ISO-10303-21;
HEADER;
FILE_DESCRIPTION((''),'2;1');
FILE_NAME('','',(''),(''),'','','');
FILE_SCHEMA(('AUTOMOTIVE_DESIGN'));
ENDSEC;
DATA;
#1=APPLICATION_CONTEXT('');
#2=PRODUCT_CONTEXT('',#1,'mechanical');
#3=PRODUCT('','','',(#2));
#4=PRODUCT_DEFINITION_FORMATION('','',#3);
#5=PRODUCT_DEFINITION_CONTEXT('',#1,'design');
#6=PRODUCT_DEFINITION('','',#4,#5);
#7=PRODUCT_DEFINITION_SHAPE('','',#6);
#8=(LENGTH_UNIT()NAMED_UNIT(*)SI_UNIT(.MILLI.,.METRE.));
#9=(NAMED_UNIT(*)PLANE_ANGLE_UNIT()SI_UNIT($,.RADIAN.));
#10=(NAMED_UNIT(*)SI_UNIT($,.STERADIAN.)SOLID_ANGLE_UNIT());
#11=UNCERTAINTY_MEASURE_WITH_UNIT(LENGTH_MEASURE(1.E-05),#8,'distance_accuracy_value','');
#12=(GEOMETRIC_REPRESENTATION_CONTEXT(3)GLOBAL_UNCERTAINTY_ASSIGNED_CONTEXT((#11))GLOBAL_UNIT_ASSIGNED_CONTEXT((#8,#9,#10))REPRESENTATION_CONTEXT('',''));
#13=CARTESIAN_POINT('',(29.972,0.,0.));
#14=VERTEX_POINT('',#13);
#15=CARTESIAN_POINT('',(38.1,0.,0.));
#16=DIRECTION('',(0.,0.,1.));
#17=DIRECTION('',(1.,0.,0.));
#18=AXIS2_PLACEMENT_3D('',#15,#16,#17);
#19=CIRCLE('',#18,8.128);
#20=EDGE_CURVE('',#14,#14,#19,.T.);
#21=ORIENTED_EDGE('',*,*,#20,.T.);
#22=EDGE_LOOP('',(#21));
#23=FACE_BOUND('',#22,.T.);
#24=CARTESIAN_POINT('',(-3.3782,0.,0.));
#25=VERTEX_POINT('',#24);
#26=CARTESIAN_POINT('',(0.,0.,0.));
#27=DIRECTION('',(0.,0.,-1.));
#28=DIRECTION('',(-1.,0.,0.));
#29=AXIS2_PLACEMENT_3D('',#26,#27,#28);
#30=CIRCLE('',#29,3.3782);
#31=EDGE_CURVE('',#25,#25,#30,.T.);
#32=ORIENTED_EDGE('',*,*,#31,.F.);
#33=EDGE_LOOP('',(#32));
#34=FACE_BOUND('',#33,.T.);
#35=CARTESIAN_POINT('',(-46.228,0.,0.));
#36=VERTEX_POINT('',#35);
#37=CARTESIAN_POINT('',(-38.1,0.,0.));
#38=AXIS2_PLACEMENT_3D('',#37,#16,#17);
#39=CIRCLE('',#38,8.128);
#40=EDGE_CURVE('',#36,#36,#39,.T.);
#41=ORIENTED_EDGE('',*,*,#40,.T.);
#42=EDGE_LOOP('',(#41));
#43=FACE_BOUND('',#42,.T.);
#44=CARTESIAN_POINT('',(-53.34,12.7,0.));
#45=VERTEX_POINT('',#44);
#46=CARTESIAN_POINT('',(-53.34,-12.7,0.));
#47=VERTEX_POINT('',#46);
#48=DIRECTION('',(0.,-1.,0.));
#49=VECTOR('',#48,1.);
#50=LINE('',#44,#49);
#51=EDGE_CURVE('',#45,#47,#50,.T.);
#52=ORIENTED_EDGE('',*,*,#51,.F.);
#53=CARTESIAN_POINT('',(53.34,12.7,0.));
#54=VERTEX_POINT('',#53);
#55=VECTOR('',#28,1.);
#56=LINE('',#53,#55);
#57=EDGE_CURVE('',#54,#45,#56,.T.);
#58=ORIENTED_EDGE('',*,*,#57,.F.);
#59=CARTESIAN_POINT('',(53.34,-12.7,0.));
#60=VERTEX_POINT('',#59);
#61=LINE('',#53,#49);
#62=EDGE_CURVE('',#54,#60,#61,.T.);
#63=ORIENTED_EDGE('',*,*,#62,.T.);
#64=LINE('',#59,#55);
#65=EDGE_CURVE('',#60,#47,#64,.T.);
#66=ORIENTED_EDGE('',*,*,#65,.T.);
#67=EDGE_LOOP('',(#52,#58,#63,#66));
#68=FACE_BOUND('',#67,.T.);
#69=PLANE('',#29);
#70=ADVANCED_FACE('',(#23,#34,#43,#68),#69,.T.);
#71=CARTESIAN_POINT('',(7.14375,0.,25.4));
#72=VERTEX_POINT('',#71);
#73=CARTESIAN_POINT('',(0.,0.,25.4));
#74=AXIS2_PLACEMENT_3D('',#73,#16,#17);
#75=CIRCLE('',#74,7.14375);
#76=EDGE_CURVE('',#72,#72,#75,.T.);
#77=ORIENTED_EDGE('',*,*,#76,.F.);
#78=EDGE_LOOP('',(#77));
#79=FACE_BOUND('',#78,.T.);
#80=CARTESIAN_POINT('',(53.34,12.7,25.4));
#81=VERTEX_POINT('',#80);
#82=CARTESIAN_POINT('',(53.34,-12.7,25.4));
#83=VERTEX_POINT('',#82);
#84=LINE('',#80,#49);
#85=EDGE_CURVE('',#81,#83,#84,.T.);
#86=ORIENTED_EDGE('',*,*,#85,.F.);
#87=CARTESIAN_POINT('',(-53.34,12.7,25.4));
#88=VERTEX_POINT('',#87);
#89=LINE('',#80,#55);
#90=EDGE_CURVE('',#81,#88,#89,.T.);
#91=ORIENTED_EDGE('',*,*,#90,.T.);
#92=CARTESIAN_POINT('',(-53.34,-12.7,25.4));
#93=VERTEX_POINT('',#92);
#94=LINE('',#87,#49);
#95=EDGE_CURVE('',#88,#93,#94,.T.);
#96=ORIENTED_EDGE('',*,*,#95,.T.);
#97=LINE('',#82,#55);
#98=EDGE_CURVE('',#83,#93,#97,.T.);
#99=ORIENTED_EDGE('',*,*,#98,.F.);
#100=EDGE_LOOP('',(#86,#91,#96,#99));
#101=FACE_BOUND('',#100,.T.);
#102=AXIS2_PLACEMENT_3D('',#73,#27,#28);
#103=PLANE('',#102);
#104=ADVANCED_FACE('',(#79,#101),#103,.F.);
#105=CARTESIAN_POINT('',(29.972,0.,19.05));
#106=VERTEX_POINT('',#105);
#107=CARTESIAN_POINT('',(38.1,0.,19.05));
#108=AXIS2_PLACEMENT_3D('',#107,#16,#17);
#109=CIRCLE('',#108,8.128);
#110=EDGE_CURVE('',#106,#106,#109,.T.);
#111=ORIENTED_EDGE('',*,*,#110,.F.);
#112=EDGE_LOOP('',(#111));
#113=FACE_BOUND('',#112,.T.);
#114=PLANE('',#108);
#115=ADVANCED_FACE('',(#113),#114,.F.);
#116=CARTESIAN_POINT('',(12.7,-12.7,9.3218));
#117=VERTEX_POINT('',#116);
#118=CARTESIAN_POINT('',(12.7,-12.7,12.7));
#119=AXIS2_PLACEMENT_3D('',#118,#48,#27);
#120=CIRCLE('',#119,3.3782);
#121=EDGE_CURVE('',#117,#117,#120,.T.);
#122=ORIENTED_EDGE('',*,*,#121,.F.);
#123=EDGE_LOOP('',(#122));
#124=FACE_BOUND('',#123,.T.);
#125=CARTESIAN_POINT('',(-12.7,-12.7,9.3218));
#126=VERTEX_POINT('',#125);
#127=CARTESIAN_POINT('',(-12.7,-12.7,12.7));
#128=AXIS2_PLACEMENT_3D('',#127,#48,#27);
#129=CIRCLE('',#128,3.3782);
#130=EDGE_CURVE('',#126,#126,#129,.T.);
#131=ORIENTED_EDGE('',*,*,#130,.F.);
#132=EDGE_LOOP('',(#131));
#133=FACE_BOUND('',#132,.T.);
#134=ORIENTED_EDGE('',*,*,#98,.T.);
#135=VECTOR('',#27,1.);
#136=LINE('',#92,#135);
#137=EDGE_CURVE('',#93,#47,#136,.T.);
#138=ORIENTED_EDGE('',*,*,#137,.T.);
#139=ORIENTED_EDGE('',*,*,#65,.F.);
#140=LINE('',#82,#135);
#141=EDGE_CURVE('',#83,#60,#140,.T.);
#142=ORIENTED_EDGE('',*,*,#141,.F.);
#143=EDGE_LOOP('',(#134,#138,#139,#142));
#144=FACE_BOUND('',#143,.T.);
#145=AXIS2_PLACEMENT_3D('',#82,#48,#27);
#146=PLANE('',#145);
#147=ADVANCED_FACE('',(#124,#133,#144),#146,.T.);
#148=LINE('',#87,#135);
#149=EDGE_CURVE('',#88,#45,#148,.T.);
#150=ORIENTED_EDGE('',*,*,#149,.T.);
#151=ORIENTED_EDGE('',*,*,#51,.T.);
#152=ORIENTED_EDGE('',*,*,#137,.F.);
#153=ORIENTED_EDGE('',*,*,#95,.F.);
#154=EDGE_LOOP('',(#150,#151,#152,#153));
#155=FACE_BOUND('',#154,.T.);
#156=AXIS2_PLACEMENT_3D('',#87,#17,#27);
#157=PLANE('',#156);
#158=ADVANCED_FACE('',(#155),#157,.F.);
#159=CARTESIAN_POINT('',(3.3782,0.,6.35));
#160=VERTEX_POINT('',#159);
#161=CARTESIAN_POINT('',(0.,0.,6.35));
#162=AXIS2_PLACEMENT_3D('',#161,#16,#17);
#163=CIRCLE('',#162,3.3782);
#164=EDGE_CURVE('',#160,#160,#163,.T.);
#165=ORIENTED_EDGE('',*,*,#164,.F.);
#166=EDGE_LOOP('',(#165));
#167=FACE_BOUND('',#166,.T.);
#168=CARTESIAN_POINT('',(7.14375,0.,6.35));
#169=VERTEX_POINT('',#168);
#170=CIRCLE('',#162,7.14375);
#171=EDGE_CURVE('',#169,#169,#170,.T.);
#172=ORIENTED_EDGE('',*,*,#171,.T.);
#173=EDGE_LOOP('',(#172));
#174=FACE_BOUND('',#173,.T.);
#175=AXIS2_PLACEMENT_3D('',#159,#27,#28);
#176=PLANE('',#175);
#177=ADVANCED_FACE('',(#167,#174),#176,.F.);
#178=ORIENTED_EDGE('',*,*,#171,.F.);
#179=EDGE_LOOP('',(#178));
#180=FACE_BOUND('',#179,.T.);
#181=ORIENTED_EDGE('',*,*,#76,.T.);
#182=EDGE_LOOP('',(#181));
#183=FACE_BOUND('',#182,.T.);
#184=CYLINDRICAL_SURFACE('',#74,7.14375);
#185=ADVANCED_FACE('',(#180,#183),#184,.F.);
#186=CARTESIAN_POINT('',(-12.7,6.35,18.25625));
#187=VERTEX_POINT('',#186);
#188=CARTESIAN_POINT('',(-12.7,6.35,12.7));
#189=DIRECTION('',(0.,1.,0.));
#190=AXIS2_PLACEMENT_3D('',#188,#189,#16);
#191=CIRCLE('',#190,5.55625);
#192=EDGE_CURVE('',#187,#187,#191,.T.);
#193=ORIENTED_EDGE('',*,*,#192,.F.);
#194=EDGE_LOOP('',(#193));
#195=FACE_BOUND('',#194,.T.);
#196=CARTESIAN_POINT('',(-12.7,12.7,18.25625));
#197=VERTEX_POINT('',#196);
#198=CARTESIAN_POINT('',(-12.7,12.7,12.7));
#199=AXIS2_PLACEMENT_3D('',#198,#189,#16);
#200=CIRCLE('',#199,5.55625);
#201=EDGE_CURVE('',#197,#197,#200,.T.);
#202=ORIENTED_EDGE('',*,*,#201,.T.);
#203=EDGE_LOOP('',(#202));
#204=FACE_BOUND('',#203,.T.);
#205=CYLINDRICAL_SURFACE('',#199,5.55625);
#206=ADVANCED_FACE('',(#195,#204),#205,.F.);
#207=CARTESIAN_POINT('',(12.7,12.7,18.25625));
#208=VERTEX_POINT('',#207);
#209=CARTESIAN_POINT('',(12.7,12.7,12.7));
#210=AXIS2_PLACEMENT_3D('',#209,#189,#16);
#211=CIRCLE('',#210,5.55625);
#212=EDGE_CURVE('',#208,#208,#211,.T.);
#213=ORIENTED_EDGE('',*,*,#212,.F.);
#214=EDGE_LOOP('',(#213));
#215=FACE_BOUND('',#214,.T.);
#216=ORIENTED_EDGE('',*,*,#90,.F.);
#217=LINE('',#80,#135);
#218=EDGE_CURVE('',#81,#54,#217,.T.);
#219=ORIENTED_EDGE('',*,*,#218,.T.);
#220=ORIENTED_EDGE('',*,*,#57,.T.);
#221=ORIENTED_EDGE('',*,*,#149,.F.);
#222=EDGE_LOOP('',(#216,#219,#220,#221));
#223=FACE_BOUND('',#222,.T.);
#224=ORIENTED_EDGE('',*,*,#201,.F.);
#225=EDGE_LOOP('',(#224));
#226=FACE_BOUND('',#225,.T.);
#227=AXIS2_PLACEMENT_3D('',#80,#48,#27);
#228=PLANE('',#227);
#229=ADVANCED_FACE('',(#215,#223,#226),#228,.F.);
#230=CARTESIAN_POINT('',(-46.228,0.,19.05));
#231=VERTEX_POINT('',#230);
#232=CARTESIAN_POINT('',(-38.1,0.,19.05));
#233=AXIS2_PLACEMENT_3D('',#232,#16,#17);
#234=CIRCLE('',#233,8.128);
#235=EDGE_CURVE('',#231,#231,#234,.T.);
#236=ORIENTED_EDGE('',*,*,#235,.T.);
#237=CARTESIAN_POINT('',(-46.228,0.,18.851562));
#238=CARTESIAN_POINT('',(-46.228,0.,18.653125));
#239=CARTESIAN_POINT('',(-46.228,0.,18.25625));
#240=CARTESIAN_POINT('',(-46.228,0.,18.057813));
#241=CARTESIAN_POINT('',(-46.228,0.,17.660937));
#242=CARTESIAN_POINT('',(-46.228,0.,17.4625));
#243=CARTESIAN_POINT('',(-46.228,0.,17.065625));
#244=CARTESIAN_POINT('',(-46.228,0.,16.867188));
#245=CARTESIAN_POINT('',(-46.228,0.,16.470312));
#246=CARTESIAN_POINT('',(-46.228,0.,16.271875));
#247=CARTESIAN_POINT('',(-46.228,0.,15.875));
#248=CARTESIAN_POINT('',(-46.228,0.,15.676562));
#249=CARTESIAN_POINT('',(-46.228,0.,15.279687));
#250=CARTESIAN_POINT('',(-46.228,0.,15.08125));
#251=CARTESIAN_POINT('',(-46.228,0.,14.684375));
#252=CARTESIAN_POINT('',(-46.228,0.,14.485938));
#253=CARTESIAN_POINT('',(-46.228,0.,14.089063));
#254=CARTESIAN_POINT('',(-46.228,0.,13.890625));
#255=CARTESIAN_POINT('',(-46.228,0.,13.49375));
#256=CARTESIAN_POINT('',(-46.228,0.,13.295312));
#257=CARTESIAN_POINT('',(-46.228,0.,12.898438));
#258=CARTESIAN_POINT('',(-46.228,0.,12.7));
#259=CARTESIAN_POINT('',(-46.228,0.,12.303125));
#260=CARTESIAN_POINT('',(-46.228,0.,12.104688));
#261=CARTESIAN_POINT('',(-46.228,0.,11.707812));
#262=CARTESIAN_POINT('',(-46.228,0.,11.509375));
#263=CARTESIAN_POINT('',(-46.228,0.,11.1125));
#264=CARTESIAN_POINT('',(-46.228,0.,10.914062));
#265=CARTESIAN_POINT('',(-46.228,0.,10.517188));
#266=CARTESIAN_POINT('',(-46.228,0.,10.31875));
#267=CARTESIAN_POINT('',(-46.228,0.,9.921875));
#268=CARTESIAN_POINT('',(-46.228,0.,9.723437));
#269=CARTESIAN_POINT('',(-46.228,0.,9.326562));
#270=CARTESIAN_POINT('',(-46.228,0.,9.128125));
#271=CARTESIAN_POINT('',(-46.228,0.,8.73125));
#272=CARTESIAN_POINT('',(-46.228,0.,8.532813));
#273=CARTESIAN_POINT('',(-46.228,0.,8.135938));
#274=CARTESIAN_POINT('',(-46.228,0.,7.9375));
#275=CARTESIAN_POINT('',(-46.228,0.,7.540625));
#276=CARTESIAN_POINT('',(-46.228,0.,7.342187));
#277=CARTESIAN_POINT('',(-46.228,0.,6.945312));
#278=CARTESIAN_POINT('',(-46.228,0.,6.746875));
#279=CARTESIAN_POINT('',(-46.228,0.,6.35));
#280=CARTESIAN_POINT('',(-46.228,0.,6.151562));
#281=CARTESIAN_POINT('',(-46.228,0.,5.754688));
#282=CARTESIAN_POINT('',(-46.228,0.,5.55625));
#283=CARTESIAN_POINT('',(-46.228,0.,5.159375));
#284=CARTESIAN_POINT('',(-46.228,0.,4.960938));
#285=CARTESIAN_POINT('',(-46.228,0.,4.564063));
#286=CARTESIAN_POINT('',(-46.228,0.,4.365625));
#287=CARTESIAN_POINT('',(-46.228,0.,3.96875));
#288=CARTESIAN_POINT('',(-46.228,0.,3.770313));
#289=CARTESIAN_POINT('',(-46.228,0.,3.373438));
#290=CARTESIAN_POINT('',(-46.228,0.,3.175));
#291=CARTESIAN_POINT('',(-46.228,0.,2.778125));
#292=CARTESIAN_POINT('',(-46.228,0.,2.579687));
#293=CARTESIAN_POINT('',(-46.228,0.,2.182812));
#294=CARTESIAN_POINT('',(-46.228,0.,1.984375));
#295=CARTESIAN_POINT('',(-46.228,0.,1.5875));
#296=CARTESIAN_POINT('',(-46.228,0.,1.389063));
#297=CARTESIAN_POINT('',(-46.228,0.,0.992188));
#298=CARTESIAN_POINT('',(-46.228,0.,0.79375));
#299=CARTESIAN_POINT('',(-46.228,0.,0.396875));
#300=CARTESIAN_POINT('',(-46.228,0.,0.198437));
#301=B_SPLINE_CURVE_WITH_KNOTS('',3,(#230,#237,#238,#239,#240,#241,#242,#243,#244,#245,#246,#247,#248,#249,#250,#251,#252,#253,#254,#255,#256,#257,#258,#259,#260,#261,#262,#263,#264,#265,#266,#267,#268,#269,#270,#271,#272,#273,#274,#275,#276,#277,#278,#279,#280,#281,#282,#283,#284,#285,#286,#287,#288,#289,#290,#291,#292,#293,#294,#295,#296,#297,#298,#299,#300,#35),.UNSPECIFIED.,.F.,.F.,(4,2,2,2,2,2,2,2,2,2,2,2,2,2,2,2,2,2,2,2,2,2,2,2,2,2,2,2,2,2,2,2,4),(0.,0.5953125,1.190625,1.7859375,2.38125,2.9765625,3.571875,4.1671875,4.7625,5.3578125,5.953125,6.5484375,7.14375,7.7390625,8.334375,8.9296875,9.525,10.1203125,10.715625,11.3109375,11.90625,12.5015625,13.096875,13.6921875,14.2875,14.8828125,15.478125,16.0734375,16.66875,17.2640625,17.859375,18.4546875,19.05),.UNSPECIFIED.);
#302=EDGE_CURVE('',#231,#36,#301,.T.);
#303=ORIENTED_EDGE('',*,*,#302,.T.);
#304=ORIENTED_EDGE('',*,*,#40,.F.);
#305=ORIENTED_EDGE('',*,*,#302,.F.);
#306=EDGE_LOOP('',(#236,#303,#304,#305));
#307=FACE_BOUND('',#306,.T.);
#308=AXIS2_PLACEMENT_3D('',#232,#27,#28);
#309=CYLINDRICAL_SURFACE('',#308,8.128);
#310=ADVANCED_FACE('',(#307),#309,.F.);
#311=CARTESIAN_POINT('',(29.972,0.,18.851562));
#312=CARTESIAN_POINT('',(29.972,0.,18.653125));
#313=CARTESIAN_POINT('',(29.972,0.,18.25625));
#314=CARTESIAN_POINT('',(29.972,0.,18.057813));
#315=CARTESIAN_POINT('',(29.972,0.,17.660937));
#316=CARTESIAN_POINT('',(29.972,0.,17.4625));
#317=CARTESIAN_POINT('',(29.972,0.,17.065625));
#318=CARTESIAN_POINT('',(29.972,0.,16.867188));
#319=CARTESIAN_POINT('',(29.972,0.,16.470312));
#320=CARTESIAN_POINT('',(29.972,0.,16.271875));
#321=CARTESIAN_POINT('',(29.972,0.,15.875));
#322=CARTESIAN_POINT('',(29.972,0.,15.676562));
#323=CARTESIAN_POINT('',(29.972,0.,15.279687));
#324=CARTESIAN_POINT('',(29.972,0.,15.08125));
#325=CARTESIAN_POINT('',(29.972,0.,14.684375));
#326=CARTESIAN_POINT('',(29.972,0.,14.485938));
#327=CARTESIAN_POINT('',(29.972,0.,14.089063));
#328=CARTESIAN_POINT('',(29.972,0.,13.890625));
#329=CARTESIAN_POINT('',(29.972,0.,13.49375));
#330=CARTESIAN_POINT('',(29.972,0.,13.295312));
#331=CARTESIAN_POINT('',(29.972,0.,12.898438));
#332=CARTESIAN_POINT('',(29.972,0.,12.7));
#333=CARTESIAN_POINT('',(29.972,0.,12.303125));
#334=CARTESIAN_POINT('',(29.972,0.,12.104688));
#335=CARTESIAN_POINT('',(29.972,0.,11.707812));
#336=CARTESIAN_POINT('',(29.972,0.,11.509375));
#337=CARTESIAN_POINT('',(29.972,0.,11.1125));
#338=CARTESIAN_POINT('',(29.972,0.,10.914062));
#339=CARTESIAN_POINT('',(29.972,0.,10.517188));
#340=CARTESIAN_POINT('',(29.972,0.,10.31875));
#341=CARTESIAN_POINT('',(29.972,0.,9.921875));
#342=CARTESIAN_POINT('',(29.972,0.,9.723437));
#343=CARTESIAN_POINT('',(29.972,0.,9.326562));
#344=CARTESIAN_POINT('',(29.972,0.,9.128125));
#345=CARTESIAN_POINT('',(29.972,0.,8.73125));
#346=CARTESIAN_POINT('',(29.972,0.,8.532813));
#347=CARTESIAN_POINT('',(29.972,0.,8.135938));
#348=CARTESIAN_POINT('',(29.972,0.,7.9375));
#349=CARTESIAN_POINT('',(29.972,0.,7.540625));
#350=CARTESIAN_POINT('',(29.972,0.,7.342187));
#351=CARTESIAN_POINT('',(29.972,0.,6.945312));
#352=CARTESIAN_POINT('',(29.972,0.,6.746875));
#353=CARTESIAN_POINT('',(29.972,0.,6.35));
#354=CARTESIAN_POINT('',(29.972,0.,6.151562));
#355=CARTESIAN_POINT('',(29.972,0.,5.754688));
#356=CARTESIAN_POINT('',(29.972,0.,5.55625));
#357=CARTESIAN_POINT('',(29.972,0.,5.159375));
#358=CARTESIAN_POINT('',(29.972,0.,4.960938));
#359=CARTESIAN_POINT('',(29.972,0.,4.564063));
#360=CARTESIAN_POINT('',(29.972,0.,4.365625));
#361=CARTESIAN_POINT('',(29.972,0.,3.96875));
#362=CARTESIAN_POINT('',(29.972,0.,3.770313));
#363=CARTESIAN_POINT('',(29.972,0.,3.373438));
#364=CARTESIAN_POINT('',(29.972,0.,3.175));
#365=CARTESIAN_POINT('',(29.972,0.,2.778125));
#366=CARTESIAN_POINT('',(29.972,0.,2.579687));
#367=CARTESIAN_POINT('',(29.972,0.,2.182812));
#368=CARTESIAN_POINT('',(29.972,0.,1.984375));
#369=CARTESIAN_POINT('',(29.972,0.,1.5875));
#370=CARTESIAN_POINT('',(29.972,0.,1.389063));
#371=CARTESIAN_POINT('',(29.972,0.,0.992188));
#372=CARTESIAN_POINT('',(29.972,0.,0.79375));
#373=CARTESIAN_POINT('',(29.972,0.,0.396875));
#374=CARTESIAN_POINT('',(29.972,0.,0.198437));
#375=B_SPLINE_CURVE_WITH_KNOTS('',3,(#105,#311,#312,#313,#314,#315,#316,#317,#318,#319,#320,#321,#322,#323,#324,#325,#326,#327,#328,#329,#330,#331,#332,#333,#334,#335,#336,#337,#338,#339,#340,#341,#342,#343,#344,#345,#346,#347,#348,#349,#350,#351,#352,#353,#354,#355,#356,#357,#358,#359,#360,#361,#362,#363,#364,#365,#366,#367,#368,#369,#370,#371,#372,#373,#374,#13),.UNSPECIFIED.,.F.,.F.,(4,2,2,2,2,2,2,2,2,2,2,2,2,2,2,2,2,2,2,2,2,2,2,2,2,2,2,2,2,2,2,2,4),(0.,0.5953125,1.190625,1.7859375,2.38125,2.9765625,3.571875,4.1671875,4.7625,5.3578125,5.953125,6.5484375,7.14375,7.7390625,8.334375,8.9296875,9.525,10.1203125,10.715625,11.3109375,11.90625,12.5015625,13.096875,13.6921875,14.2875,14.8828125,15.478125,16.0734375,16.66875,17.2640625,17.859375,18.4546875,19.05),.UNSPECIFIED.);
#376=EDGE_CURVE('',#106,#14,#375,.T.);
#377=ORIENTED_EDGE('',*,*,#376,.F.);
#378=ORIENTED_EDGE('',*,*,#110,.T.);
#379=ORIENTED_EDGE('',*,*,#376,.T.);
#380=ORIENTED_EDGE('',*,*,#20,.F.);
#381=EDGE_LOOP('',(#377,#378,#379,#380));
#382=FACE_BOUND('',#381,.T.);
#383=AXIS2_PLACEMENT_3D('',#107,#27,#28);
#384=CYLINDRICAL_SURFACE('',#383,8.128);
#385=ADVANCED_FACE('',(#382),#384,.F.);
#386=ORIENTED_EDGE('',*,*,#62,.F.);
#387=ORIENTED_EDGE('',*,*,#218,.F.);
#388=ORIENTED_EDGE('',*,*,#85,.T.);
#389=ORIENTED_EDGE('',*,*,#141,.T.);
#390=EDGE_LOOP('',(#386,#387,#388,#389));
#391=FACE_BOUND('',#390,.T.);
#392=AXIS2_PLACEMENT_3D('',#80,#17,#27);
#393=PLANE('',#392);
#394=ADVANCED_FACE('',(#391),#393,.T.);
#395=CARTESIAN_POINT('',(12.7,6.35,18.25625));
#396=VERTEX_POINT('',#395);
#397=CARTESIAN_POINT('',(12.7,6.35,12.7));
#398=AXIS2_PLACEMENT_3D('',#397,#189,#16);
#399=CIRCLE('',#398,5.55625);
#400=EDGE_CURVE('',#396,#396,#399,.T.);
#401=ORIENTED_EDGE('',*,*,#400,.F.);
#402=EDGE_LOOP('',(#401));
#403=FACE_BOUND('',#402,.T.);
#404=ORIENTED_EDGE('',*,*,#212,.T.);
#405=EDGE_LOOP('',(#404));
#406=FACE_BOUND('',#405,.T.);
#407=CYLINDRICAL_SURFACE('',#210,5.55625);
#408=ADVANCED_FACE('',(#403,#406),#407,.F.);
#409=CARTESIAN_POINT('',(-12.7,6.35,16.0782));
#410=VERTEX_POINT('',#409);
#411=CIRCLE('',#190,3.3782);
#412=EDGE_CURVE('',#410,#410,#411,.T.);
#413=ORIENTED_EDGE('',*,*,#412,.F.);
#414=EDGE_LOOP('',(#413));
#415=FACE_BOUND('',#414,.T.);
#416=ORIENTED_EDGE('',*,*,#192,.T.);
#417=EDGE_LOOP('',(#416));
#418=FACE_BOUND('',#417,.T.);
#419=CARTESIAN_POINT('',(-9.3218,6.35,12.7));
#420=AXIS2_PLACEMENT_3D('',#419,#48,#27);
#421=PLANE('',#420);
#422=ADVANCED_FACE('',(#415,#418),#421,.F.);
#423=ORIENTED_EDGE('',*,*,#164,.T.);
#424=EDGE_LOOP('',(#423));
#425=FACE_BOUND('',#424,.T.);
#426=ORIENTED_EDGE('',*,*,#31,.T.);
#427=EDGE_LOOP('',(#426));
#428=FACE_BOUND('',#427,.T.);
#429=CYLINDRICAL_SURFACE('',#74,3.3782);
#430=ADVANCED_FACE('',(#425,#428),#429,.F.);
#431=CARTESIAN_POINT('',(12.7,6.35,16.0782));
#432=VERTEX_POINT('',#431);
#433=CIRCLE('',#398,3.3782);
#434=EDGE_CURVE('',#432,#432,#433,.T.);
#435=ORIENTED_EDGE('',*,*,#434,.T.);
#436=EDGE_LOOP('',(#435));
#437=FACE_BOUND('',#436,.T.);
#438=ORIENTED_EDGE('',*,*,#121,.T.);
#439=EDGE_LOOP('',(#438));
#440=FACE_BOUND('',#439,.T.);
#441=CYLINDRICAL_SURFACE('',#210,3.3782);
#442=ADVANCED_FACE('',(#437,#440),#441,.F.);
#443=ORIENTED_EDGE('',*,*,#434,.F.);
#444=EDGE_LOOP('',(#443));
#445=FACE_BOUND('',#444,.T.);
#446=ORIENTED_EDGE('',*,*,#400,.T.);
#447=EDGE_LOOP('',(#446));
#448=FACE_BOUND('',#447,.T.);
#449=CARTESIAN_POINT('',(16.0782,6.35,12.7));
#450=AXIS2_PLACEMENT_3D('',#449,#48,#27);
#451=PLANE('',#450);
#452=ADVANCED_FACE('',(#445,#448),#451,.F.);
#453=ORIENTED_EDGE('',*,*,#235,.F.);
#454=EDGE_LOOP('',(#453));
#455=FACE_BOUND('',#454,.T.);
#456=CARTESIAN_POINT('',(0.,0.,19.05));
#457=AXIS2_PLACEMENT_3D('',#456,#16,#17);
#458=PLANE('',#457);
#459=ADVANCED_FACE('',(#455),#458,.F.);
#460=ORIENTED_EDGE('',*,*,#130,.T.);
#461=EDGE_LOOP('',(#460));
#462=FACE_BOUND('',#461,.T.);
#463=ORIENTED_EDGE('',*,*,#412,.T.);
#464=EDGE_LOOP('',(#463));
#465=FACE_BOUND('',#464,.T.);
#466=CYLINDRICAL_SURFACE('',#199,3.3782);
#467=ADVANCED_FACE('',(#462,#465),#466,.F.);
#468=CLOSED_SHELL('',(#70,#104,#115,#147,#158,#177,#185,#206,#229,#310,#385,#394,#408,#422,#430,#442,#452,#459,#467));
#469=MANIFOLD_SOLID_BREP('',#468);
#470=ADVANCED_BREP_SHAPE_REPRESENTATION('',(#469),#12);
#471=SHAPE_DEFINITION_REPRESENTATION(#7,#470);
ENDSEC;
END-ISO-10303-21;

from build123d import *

# Parameters (mm, degrees)
SKETCH1_W                                            = 106.68
SKETCH1_H                                            = 25.4
BOSS_EXTRUDE1_DEPTH                                  = 25.4
SKETCH1_3_R                                          = 8.128
CUT_EXTRUDE1_DEPTH                                   = 19.05
CBORE_FOR_1_4_BINDING_HEAD_MACHINE_SCREW_D           = 6.7564
CBORE_FOR_1_4_BINDING_HEAD_MACHINE_SCREW_CBORE_D     = 14.2875
CBORE_FOR_1_4_BINDING_HEAD_MACHINE_SCREW_CBORE_DEPTH = 19.05
CBORE_FOR_1_4_SOCKET_HEAD_CAP_SCREW1_D               = 6.7564
CBORE_FOR_1_4_SOCKET_HEAD_CAP_SCREW1_CBORE_D         = 11.1125
CBORE_FOR_1_4_SOCKET_HEAD_CAP_SCREW1_CBORE_DEPTH     = 6.35


with BuildPart() as part:
    # Sketch1 → Boss-Extrude1 (new body)
    with BuildSketch(Plane.XY):
        Rectangle(SKETCH1_W, SKETCH1_H)
    extrude(amount=BOSS_EXTRUDE1_DEPTH)

    # Sketch1<3> → Cut-Extrude1 (cut)
    with BuildSketch(Plane.XY):
        with Locations(Location((-38.1, 0, 0), (0, 0, 180))):
            Circle(SKETCH1_3_R)
        with Locations(Location((38.1, 0, 0), (0, 0, 180))):
            Circle(SKETCH1_3_R)
    extrude(amount=CUT_EXTRUDE1_DEPTH, mode=Mode.SUBTRACT)

    # CBORE for 1/4 Binding Head Machine Screw1 (through all)
    with Locations(Plane.XY.offset(25.4)):
        with Locations((0, 0)):
            CounterBoreHole(CBORE_FOR_1_4_BINDING_HEAD_MACHINE_SCREW_D / 2, CBORE_FOR_1_4_BINDING_HEAD_MACHINE_SCREW_CBORE_D / 2, CBORE_FOR_1_4_BINDING_HEAD_MACHINE_SCREW_CBORE_DEPTH)

    # CBORE for 1/4 Socket Head Cap Screw1 (through all)
    with Locations(Plane(origin=(0, 12.7, 0), x_dir=(1, 0, 0), z_dir=(0, 1, 0))):
        with Locations((12.7, -12.7), (-12.7, -12.7)):
            CounterBoreHole(CBORE_FOR_1_4_SOCKET_HEAD_CAP_SCREW1_D / 2, CBORE_FOR_1_4_SOCKET_HEAD_CAP_SCREW1_CBORE_D / 2, CBORE_FOR_1_4_SOCKET_HEAD_CAP_SCREW1_CBORE_DEPTH)


solid = part.part
